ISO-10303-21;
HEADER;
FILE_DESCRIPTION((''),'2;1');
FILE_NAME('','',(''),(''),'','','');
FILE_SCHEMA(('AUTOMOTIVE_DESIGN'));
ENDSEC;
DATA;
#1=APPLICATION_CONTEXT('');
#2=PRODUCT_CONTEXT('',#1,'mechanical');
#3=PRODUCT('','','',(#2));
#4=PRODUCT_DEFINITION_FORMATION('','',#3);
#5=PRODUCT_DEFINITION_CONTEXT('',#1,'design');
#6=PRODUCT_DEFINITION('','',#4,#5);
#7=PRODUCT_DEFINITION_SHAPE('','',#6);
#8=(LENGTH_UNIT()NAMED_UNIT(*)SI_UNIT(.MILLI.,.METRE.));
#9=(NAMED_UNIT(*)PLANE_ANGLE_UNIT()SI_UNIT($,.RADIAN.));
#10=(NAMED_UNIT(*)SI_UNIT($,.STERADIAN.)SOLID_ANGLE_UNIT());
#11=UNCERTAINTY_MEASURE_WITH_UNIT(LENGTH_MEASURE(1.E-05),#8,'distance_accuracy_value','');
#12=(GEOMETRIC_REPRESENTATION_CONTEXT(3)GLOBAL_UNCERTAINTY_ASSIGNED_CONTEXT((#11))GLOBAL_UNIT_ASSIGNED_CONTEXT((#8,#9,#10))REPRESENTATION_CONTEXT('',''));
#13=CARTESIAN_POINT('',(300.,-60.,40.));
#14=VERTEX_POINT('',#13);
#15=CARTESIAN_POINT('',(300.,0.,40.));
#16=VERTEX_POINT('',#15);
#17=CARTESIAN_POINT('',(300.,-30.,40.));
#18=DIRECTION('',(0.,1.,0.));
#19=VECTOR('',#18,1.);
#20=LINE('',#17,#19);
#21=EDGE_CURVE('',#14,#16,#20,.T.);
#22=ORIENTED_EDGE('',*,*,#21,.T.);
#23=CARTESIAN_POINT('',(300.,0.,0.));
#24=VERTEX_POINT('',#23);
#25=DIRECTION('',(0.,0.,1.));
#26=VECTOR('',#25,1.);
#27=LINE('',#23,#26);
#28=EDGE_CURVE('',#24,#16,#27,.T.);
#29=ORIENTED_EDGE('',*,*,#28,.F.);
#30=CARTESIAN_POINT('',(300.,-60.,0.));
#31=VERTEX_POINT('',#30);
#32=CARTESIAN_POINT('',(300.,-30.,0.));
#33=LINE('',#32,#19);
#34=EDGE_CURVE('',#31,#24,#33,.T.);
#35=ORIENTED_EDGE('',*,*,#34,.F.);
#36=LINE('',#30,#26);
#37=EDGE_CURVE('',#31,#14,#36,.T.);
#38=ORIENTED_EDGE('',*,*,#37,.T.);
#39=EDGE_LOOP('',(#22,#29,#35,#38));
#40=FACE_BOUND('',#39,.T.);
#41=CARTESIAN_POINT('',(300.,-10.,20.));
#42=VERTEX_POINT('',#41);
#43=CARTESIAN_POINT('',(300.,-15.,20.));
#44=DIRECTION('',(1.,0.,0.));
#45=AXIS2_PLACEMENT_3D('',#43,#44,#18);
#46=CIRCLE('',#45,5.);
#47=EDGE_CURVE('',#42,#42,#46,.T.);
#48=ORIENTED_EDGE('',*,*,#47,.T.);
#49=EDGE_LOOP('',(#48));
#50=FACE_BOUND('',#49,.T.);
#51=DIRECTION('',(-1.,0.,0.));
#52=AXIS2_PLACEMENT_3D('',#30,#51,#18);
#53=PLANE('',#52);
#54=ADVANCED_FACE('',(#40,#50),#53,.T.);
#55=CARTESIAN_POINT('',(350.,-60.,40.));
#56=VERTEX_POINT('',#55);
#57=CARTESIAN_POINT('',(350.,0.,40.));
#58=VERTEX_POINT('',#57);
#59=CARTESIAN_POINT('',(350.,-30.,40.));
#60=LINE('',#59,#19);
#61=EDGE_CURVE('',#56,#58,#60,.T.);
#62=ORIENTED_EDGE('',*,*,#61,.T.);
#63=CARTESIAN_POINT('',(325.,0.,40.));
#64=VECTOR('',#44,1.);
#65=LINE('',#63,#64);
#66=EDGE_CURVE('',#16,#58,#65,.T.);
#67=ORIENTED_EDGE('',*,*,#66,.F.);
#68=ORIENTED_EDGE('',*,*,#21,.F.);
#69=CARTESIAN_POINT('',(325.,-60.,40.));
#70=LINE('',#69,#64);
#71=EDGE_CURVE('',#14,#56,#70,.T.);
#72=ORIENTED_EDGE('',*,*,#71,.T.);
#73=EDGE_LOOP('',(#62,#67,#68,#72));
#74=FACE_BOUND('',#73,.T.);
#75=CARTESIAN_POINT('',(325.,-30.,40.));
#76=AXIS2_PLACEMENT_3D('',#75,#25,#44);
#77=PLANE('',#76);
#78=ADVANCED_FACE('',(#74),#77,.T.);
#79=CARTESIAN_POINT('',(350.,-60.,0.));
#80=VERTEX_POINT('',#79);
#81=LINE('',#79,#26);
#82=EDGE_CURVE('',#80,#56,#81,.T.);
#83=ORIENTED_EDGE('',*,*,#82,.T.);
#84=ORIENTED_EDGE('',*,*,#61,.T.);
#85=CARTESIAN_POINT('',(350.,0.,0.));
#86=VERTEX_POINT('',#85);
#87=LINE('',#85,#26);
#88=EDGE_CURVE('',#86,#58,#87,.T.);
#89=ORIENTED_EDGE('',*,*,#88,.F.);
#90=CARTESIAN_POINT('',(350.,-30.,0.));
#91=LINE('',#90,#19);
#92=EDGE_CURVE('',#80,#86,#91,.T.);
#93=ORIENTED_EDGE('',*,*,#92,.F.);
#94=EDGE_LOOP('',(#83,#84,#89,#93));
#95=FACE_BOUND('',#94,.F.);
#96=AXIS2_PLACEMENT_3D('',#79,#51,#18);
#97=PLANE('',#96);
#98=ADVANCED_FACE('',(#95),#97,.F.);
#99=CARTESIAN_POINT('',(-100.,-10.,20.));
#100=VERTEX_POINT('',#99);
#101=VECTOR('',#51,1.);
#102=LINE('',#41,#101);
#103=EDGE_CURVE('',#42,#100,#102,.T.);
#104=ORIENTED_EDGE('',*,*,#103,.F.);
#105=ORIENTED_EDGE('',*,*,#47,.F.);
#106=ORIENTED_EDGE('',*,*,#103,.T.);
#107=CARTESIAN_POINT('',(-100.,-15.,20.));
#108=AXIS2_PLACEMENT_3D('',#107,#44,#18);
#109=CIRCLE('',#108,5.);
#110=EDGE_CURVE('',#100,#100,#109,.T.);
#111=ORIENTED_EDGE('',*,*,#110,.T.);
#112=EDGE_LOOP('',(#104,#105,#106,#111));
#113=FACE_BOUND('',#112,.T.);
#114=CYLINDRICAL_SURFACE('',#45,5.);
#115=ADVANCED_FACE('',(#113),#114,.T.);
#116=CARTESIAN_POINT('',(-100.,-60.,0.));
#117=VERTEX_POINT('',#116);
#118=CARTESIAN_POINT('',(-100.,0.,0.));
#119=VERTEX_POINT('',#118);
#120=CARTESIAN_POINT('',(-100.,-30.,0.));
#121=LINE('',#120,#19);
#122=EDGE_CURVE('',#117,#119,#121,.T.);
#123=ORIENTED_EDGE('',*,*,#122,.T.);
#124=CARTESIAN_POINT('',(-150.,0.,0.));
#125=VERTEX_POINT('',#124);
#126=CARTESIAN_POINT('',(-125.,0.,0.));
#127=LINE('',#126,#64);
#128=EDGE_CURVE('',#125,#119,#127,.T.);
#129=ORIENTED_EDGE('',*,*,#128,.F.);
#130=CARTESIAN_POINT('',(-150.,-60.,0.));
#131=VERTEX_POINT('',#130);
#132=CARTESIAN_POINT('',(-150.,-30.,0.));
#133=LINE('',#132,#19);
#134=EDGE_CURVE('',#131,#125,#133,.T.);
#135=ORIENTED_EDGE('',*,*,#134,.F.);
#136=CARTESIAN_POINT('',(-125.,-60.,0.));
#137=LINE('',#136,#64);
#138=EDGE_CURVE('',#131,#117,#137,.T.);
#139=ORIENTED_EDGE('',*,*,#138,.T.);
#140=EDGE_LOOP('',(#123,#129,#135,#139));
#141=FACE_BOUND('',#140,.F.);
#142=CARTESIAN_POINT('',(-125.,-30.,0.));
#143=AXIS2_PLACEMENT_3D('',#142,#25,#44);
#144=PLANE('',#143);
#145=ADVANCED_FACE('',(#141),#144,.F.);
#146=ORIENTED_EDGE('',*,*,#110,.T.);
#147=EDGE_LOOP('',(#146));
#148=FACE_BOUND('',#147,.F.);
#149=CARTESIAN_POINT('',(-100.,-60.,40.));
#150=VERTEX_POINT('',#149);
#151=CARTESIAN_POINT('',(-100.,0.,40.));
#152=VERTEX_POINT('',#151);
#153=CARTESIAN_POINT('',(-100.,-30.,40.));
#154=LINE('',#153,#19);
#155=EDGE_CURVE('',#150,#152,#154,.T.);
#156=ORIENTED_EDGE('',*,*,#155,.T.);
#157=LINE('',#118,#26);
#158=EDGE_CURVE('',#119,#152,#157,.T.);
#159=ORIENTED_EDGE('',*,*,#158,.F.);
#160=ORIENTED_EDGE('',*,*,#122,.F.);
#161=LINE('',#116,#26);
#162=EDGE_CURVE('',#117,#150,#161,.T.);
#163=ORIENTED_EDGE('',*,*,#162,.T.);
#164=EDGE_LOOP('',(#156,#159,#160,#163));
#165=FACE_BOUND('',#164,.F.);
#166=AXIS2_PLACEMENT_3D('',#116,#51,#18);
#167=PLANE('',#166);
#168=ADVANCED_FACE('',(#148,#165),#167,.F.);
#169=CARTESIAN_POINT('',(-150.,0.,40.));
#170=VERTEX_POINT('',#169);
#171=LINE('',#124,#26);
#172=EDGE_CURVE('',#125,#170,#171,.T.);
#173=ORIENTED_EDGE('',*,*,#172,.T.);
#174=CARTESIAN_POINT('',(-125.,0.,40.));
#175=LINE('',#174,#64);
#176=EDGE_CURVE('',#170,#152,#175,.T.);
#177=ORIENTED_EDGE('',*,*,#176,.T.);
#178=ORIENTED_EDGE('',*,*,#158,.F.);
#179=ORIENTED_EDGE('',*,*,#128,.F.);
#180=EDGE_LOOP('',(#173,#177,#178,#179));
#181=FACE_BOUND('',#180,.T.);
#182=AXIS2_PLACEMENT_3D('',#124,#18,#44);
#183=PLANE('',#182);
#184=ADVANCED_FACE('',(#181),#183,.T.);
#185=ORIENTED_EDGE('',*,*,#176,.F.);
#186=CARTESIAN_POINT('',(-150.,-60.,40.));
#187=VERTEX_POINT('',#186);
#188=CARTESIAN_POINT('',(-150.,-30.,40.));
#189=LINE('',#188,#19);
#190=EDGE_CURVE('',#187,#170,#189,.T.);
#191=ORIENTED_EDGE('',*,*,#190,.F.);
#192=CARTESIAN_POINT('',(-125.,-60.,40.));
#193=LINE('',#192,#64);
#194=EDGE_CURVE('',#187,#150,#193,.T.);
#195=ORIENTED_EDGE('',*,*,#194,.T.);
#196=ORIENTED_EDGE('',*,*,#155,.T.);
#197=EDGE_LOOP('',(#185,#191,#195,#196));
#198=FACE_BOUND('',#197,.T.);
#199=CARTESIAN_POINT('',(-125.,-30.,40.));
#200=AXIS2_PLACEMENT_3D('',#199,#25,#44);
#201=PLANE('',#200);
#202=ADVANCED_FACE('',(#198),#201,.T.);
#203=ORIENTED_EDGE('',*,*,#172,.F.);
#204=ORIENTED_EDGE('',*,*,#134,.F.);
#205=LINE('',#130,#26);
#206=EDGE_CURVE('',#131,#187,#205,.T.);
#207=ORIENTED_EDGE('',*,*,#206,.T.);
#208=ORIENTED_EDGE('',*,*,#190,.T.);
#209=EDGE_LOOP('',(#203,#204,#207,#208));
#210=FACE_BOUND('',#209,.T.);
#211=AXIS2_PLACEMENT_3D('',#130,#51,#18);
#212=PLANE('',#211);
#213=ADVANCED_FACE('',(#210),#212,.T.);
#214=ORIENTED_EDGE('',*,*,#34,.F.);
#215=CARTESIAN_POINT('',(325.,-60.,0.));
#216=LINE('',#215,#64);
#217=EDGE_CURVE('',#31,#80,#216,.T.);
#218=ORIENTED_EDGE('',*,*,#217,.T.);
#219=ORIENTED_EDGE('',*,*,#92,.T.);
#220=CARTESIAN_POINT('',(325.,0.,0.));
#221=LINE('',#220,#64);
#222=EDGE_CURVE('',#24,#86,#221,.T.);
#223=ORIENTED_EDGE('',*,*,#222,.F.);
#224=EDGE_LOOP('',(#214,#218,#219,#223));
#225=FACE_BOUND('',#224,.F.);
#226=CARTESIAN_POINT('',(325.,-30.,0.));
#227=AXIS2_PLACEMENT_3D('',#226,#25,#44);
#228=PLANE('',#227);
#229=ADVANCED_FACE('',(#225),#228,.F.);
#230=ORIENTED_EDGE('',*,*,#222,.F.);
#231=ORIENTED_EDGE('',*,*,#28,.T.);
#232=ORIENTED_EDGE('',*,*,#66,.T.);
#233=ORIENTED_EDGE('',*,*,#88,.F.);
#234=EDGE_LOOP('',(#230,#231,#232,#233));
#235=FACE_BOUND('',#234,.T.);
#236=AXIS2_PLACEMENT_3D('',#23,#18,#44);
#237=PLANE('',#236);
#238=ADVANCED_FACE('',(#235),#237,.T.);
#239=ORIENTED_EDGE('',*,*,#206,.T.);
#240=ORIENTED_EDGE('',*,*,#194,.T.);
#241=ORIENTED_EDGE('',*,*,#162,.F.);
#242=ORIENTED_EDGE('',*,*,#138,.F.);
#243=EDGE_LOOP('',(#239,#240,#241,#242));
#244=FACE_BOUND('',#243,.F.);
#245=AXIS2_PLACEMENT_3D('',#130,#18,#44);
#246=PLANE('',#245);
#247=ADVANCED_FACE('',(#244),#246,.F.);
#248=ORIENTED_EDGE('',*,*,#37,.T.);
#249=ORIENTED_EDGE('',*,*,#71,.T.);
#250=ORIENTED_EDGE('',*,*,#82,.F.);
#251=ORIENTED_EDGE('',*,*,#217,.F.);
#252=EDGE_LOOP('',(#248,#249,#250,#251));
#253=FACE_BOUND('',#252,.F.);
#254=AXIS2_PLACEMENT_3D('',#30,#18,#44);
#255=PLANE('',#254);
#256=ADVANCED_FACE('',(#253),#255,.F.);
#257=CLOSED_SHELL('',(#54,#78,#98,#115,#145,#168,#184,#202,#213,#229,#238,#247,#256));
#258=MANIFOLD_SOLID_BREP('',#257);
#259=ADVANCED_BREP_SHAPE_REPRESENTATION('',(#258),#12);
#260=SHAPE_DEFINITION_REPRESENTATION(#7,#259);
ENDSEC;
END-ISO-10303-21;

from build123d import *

# Parameters (mm, degrees)
F0_W     = 50
F0_H     = 60
F1_DEPTH = 40
F3_START = -50
F2_R     = 5
F3_DEPTH = 400


with BuildPart() as f1:
    # F0 (on Top) → F1 (new body)
    with BuildSketch(Plane.XY):
        with Locations((-125, -30)):
            Rectangle(F0_W, F0_H)
    extrude(amount=F1_DEPTH)



with BuildPart() as f1b:
    # F0 (on Top) → F1, piece 2 (new body)
    with BuildSketch(Plane.XY):
        with Locations((325, -30)):
            Rectangle(F0_W, F0_H)
    extrude(amount=F1_DEPTH)


with BuildPart() as f1_1:
    add(f1.part)

    add(f1b.part)  # F3 merges F1b
    # F2 (on face) → F3 (join)
    with BuildSketch(Plane.YZ.offset(350).offset(F3_START)):
        with Locations((-15, 20)):
            Circle(F2_R)
    extrude(amount=-F3_DEPTH)


solid = f1_1.part
